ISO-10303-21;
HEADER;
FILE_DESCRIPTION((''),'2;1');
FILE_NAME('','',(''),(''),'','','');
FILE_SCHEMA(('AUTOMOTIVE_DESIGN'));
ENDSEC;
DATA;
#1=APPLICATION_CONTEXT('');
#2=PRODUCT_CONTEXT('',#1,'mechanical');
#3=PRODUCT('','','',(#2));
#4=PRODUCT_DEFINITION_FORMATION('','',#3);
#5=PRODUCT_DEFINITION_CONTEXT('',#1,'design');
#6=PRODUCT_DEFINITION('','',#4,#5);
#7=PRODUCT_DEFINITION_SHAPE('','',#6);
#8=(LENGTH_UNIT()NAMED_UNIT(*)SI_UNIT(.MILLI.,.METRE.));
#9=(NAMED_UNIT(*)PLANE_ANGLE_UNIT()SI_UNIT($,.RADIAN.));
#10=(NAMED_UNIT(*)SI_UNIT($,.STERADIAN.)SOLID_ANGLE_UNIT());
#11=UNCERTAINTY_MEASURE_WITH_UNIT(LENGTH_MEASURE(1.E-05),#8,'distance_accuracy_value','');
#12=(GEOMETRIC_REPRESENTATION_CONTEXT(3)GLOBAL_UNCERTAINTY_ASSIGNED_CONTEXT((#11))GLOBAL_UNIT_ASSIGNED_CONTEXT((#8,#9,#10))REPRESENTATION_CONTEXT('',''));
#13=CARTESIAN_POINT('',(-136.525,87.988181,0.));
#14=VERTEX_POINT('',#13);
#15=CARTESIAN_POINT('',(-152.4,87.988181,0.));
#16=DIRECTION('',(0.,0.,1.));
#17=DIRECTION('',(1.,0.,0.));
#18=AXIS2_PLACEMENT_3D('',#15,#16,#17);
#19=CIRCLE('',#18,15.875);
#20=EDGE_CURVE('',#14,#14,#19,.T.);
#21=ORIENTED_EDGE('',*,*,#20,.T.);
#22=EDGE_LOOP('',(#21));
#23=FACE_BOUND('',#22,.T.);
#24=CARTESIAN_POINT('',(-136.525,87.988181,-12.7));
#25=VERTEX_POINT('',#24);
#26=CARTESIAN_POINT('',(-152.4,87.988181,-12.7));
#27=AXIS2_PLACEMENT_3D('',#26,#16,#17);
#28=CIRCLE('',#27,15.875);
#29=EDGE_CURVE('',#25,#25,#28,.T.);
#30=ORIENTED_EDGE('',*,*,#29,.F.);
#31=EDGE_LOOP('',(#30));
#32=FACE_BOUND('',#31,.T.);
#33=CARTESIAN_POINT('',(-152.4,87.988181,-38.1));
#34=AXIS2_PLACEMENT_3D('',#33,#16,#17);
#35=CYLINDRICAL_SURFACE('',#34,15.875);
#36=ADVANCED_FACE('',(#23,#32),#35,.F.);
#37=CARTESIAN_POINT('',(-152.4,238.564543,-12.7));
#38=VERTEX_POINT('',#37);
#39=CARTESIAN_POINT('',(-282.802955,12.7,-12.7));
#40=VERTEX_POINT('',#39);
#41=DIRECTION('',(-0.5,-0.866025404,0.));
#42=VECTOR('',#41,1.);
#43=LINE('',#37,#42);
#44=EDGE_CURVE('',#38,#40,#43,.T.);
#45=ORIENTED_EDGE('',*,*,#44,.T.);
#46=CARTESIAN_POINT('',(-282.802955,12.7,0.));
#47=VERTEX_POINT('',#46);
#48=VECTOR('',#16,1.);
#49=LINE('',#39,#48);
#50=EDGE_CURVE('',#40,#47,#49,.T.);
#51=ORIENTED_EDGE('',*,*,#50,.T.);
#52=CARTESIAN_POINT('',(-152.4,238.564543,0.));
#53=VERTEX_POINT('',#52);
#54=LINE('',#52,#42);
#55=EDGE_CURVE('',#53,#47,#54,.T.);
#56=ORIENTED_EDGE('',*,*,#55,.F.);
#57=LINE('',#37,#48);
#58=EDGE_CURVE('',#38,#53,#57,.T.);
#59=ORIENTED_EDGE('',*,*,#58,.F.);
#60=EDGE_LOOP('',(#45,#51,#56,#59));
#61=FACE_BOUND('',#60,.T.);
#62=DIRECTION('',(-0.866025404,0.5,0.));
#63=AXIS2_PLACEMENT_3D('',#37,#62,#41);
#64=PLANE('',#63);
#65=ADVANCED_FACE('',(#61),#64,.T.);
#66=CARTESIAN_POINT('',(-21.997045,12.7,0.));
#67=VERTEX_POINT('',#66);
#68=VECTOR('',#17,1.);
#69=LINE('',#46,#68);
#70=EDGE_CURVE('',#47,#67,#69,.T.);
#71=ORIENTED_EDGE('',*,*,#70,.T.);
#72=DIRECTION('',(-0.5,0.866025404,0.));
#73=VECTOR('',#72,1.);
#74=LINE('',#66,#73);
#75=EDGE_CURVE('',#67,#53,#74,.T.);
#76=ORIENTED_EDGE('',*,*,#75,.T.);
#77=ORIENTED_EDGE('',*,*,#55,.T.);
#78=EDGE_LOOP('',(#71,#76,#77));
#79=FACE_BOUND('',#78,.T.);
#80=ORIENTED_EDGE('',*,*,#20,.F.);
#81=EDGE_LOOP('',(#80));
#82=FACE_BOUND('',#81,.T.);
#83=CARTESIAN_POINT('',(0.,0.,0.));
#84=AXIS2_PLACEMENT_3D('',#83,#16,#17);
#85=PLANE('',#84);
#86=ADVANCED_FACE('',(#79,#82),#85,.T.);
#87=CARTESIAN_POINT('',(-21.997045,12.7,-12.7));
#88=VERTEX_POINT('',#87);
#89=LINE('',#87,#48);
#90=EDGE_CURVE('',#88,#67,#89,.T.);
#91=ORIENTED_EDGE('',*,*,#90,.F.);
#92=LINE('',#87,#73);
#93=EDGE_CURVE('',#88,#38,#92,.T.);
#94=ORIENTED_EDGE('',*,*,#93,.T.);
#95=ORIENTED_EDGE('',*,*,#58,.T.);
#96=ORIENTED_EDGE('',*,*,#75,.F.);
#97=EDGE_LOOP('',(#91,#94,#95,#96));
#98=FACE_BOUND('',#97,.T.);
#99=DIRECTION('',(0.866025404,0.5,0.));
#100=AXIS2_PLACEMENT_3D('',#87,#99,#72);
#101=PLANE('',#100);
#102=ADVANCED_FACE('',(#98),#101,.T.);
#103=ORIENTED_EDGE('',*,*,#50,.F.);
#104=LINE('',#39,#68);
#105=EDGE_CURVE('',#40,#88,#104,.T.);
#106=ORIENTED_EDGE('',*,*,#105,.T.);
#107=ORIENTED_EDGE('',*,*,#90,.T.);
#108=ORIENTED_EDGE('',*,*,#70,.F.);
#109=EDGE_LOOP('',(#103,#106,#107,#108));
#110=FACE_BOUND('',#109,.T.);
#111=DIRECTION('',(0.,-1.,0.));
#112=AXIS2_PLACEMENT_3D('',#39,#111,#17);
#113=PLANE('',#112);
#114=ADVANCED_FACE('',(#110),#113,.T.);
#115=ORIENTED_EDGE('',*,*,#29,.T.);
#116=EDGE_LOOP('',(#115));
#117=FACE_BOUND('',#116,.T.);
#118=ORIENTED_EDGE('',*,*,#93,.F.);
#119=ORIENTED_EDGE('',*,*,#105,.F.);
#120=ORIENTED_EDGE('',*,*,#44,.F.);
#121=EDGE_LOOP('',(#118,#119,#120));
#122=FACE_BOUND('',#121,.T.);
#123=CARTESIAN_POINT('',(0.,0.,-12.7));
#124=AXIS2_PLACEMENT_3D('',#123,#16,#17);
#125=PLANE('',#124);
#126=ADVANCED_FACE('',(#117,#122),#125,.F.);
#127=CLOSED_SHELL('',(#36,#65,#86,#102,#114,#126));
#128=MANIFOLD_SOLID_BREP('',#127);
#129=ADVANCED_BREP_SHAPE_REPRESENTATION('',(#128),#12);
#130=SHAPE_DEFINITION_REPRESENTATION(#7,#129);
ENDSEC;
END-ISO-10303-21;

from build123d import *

# Parameters (mm, degrees)
BOSS_EXTRUDE1_DEPTH = 12.7
SKETCH2_R           = 15.875
CUT_EXTRUDE2_DEPTH  = 38.1


with BuildPart() as part:
    # Sketch1 → Boss-Extrude1 (new body)
    with BuildSketch(Plane.XY):
        Polygon((-282.802954744, 12.7), (-21.997045256, 12.7), (-152.4, 238.564543073), align=None)
    extrude(amount=-BOSS_EXTRUDE1_DEPTH)

    # Sketch2 → Cut-Extrude2 (cut)
    with BuildSketch(Plane.XY):
        with Locations((-152.4, 87.988181024)):
            Circle(SKETCH2_R)
    extrude(amount=-CUT_EXTRUDE2_DEPTH, mode=Mode.SUBTRACT)


solid = part.part
